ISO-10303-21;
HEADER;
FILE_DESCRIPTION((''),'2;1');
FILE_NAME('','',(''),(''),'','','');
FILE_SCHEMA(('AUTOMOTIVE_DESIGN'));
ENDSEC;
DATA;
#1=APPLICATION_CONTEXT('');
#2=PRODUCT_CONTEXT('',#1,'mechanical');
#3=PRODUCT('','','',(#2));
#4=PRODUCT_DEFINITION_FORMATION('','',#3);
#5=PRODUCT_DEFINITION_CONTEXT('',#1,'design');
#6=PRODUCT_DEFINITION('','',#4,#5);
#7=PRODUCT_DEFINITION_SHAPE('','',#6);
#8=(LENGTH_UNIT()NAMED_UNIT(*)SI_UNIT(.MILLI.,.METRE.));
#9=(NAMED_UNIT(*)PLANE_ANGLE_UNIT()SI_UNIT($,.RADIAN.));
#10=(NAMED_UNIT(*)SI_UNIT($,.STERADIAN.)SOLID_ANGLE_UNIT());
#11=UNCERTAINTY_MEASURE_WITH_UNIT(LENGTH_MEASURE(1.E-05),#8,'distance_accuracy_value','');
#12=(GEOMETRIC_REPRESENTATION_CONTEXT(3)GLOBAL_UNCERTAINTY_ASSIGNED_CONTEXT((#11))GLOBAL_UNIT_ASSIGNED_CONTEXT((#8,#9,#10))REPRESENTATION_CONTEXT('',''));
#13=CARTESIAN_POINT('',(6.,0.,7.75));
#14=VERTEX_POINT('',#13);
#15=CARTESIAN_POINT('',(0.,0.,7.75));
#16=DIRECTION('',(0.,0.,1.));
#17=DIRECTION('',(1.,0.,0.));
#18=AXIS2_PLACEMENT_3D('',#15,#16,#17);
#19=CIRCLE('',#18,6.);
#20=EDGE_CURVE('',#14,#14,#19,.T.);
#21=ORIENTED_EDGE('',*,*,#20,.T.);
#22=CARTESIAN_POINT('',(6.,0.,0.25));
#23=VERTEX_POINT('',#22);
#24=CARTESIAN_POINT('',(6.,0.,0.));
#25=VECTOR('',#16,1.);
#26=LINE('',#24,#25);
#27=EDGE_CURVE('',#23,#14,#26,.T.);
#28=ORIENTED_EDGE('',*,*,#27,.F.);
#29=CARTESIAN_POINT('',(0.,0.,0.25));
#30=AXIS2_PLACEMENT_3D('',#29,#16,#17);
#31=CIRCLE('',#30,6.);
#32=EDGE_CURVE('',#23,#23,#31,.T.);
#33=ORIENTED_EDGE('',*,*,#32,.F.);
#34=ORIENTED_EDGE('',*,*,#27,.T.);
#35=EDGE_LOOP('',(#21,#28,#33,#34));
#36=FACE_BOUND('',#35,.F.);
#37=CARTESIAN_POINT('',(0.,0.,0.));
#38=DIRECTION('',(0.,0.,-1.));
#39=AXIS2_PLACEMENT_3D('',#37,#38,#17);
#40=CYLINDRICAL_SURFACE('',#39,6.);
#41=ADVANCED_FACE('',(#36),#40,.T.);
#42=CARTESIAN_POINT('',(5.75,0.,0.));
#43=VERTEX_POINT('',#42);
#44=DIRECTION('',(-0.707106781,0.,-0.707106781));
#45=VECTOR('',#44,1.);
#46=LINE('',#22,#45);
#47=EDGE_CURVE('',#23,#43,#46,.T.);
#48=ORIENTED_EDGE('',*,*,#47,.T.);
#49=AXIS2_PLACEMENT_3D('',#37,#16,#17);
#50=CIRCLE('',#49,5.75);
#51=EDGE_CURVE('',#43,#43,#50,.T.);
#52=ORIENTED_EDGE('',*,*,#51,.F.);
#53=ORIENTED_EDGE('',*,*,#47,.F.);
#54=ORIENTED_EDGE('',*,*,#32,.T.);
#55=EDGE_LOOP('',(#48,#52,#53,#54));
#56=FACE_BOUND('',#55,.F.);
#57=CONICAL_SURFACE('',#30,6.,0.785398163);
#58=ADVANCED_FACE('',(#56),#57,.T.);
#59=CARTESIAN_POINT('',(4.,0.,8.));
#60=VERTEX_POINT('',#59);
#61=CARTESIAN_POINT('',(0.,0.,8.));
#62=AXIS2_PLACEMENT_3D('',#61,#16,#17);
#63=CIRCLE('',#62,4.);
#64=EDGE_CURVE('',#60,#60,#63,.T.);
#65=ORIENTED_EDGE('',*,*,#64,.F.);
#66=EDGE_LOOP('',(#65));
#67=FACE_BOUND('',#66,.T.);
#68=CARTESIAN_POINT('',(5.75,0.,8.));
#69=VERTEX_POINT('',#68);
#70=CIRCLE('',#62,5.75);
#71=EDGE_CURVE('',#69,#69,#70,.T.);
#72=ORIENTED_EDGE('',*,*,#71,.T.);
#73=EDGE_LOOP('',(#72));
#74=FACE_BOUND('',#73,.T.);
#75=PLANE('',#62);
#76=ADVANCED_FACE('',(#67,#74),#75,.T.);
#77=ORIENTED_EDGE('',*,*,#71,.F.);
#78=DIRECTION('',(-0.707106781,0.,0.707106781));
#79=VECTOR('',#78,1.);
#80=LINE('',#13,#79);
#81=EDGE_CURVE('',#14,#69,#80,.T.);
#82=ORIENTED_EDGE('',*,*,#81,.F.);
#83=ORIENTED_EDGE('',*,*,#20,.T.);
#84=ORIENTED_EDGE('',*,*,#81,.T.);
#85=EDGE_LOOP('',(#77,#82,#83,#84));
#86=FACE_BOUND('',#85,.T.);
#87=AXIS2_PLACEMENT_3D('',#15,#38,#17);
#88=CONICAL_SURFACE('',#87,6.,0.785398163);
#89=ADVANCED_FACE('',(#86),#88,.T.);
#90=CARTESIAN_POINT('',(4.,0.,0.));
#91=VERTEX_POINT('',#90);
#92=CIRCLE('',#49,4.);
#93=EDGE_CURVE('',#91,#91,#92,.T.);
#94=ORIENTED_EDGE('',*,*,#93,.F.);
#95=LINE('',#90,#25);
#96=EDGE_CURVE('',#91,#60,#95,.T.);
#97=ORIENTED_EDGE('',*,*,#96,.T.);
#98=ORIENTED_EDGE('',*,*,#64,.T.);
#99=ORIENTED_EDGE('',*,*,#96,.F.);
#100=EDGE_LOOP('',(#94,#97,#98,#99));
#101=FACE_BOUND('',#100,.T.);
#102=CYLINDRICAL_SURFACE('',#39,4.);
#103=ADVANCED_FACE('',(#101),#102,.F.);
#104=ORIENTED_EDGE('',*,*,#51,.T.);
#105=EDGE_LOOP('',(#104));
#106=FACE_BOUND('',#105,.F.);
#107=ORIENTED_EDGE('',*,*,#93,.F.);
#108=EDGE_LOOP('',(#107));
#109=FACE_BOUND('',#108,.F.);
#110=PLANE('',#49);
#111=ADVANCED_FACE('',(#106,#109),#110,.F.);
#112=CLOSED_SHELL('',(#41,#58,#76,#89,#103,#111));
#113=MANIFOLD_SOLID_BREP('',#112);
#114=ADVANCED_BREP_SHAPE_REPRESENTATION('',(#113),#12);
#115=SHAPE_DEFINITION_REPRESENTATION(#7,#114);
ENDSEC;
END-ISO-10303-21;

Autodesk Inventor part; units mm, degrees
ref_plane "YZ Plane" through (0, 0, 0) normal (1, 0, 0) x (0, 1, 0)
ref_plane "XZ Plane" through (0, 0, 0) normal (0, 1, 0) x (-1, 0, 0)
ref_plane "XY Plane" through (0, 0, 0) normal (0, 0, 1) x (1, 0, 0)
sketch "Sketch1" plane through (0, 0, 0) normal (0, 0, 1) x (1, 0, 0)
  circle A0 centre (0, 0) radius 6
  circle A1 centre (0, 0) radius 4
  dimension "d0" = 12
  dimension "d1" = 8
extrude "Extrusion1" add sketch "Sketch1" along normal blind 8
chamfer "Chamfer1" distance 0.25 angle 45 2 edges at (-6, 0, 8) (-6, 0, 0)
properties part number "bearing_12x8x8"
